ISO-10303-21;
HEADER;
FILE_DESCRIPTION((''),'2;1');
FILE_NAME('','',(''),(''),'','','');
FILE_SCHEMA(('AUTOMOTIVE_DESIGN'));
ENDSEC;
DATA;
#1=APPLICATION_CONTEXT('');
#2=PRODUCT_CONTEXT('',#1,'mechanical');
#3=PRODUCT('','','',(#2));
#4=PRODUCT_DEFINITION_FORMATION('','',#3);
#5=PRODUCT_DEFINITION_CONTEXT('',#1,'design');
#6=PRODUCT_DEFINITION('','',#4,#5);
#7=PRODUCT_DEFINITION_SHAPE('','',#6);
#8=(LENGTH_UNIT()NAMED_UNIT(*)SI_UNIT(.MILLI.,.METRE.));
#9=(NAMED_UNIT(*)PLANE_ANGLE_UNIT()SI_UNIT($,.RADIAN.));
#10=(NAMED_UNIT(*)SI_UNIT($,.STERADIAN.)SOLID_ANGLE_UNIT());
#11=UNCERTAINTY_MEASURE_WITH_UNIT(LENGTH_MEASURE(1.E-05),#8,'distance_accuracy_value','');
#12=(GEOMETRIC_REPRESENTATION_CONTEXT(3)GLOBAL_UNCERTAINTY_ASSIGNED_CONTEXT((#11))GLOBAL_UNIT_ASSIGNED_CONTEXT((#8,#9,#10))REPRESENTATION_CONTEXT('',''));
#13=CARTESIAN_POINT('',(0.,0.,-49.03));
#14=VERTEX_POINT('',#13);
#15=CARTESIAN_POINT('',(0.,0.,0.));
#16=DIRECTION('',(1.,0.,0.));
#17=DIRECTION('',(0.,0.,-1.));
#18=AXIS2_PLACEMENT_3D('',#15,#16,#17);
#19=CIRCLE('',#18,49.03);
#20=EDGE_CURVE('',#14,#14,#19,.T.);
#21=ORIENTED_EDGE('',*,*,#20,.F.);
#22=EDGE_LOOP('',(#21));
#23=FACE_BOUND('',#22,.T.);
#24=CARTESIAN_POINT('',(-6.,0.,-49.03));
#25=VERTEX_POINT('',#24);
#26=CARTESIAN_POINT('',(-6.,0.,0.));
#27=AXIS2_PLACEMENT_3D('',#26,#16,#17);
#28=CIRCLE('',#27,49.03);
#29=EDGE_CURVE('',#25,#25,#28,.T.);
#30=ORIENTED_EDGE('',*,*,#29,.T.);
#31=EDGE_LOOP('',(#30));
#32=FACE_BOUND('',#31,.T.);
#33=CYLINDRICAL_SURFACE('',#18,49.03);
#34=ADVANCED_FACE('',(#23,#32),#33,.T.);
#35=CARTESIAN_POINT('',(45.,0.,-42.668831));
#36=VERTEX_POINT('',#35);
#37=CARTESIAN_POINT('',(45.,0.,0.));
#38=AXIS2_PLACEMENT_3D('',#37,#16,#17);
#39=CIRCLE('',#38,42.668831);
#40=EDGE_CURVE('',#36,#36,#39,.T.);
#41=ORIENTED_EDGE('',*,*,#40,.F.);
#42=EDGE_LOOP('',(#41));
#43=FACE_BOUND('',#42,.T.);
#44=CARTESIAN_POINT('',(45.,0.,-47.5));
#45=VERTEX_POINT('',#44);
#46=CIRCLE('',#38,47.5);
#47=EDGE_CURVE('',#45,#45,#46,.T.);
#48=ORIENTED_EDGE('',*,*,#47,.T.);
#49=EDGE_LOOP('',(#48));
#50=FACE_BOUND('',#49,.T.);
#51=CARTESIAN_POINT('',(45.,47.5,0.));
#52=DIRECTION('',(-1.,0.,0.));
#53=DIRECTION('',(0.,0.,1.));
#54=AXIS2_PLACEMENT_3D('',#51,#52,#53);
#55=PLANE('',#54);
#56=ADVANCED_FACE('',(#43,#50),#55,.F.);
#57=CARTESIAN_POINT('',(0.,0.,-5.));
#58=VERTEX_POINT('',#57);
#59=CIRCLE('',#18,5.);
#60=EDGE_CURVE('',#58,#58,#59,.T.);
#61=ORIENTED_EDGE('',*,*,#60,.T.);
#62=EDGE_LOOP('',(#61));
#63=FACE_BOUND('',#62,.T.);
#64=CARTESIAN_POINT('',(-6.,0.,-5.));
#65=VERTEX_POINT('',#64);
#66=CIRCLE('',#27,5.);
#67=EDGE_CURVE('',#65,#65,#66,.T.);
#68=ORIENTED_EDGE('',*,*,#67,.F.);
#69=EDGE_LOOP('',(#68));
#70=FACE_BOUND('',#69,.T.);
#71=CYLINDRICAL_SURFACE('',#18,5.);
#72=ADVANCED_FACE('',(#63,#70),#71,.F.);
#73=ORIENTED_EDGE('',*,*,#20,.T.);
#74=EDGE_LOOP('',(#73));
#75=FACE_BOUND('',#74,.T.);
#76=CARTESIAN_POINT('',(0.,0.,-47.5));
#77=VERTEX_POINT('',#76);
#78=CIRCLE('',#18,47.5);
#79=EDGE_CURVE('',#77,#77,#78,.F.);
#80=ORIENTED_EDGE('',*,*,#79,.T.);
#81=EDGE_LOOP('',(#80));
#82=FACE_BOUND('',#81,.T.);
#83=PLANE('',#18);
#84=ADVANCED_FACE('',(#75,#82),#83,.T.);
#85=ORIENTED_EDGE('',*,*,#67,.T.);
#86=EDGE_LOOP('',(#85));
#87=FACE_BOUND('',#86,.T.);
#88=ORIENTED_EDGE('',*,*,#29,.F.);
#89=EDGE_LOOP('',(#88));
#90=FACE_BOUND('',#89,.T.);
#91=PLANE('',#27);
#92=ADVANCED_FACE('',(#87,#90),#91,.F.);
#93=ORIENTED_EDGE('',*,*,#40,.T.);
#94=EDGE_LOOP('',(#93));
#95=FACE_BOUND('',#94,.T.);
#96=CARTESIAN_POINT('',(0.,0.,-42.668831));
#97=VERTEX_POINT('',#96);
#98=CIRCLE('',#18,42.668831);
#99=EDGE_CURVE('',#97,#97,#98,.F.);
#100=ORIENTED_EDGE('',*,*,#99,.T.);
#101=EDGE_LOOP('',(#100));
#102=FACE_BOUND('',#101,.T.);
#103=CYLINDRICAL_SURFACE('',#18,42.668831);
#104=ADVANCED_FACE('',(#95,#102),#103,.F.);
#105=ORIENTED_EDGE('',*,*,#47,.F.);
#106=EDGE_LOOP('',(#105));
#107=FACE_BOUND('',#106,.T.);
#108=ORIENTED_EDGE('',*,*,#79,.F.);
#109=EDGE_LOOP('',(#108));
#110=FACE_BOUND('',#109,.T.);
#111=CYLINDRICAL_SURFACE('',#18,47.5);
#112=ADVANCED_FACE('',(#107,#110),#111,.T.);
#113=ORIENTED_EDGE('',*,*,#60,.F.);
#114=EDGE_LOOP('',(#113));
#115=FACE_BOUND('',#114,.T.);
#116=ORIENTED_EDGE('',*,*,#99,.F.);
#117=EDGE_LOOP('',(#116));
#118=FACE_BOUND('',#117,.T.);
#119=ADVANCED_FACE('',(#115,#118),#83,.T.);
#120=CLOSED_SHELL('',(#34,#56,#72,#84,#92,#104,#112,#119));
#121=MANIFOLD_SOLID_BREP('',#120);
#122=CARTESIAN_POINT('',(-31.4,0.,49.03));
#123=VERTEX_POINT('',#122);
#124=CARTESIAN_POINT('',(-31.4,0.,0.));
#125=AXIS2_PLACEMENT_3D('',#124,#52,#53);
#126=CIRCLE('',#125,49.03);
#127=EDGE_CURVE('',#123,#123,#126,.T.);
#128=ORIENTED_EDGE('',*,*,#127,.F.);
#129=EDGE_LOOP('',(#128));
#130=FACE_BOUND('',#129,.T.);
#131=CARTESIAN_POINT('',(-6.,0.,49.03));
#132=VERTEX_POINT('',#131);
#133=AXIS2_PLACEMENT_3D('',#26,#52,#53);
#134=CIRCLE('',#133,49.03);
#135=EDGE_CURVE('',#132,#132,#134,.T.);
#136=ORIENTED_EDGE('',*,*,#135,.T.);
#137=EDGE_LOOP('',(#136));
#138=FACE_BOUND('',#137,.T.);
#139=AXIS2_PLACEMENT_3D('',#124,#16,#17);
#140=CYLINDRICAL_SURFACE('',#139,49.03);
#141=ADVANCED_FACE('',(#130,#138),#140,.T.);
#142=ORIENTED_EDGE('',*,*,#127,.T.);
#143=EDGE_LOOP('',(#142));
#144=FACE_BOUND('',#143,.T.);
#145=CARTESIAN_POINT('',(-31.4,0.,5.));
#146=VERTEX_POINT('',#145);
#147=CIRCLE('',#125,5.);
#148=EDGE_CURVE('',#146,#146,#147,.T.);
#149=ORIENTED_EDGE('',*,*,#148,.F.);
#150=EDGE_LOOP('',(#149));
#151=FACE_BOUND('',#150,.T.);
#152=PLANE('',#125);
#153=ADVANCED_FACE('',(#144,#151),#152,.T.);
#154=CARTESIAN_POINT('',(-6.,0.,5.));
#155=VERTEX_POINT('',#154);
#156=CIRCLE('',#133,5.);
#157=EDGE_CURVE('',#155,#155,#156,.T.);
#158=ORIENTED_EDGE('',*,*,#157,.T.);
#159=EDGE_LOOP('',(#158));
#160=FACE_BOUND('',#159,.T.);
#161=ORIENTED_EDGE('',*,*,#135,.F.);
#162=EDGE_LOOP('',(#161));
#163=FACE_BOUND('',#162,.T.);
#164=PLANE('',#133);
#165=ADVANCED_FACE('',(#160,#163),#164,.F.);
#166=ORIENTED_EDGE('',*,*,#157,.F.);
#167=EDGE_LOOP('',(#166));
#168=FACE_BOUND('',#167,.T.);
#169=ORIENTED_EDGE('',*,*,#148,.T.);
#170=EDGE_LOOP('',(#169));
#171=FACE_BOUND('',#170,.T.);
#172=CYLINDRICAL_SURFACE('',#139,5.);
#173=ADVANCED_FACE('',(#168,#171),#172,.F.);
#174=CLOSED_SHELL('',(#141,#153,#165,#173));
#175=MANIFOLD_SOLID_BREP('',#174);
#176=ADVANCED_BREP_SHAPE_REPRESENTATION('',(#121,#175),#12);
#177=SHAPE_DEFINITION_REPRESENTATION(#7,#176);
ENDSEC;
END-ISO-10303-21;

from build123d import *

# Parameters (mm, degrees)
SKETCH1_W           = 44.03
SKETCH1_H           = 6
SKETCH1_W_2         = 4.831168831
SKETCH1_H_2         = 45
SKETCH2_R           = 49.03
SKETCH2_R_2         = 5
BOSS_EXTRUDE1_DEPTH = 25.4


with BuildPart() as part:
    # Sketch1 → Revolve1 (revolve)
    with BuildSketch(Plane(origin=(0, 0, 0), x_dir=(0, 1, 0), z_dir=(0, 0, 1)), mode=Mode.PRIVATE) as revolve1_sk:
        with Locations((27.015, 3)):
            Rectangle(SKETCH1_W, SKETCH1_H)
        with Locations((45.084415585, -22.5)):
            Rectangle(SKETCH1_W_2, SKETCH1_H_2)
    revolve(revolve1_sk.sketch.rotate(Axis((0, 0, 0), (-1, 0, 0)), 90), axis=Axis((0, 0, 0), (-1, 0, 0)))


with BuildPart() as body_2:
    # Sketch2 → Boss-Extrude1 (new body)
    with BuildSketch(Plane(origin=(-6, 0, 0), x_dir=(0, -1, 0), z_dir=(-1, 0, 0))):
        with Locations(Location((0, 0, 0), (0, 0, 90))):
            Circle(SKETCH2_R)
        with Locations(Location((0, 0, 0), (0, 0, 90))):
            Circle(SKETCH2_R_2, mode=Mode.SUBTRACT)
    extrude(amount=BOSS_EXTRUDE1_DEPTH)


solid = Compound([part.part, body_2.part])
